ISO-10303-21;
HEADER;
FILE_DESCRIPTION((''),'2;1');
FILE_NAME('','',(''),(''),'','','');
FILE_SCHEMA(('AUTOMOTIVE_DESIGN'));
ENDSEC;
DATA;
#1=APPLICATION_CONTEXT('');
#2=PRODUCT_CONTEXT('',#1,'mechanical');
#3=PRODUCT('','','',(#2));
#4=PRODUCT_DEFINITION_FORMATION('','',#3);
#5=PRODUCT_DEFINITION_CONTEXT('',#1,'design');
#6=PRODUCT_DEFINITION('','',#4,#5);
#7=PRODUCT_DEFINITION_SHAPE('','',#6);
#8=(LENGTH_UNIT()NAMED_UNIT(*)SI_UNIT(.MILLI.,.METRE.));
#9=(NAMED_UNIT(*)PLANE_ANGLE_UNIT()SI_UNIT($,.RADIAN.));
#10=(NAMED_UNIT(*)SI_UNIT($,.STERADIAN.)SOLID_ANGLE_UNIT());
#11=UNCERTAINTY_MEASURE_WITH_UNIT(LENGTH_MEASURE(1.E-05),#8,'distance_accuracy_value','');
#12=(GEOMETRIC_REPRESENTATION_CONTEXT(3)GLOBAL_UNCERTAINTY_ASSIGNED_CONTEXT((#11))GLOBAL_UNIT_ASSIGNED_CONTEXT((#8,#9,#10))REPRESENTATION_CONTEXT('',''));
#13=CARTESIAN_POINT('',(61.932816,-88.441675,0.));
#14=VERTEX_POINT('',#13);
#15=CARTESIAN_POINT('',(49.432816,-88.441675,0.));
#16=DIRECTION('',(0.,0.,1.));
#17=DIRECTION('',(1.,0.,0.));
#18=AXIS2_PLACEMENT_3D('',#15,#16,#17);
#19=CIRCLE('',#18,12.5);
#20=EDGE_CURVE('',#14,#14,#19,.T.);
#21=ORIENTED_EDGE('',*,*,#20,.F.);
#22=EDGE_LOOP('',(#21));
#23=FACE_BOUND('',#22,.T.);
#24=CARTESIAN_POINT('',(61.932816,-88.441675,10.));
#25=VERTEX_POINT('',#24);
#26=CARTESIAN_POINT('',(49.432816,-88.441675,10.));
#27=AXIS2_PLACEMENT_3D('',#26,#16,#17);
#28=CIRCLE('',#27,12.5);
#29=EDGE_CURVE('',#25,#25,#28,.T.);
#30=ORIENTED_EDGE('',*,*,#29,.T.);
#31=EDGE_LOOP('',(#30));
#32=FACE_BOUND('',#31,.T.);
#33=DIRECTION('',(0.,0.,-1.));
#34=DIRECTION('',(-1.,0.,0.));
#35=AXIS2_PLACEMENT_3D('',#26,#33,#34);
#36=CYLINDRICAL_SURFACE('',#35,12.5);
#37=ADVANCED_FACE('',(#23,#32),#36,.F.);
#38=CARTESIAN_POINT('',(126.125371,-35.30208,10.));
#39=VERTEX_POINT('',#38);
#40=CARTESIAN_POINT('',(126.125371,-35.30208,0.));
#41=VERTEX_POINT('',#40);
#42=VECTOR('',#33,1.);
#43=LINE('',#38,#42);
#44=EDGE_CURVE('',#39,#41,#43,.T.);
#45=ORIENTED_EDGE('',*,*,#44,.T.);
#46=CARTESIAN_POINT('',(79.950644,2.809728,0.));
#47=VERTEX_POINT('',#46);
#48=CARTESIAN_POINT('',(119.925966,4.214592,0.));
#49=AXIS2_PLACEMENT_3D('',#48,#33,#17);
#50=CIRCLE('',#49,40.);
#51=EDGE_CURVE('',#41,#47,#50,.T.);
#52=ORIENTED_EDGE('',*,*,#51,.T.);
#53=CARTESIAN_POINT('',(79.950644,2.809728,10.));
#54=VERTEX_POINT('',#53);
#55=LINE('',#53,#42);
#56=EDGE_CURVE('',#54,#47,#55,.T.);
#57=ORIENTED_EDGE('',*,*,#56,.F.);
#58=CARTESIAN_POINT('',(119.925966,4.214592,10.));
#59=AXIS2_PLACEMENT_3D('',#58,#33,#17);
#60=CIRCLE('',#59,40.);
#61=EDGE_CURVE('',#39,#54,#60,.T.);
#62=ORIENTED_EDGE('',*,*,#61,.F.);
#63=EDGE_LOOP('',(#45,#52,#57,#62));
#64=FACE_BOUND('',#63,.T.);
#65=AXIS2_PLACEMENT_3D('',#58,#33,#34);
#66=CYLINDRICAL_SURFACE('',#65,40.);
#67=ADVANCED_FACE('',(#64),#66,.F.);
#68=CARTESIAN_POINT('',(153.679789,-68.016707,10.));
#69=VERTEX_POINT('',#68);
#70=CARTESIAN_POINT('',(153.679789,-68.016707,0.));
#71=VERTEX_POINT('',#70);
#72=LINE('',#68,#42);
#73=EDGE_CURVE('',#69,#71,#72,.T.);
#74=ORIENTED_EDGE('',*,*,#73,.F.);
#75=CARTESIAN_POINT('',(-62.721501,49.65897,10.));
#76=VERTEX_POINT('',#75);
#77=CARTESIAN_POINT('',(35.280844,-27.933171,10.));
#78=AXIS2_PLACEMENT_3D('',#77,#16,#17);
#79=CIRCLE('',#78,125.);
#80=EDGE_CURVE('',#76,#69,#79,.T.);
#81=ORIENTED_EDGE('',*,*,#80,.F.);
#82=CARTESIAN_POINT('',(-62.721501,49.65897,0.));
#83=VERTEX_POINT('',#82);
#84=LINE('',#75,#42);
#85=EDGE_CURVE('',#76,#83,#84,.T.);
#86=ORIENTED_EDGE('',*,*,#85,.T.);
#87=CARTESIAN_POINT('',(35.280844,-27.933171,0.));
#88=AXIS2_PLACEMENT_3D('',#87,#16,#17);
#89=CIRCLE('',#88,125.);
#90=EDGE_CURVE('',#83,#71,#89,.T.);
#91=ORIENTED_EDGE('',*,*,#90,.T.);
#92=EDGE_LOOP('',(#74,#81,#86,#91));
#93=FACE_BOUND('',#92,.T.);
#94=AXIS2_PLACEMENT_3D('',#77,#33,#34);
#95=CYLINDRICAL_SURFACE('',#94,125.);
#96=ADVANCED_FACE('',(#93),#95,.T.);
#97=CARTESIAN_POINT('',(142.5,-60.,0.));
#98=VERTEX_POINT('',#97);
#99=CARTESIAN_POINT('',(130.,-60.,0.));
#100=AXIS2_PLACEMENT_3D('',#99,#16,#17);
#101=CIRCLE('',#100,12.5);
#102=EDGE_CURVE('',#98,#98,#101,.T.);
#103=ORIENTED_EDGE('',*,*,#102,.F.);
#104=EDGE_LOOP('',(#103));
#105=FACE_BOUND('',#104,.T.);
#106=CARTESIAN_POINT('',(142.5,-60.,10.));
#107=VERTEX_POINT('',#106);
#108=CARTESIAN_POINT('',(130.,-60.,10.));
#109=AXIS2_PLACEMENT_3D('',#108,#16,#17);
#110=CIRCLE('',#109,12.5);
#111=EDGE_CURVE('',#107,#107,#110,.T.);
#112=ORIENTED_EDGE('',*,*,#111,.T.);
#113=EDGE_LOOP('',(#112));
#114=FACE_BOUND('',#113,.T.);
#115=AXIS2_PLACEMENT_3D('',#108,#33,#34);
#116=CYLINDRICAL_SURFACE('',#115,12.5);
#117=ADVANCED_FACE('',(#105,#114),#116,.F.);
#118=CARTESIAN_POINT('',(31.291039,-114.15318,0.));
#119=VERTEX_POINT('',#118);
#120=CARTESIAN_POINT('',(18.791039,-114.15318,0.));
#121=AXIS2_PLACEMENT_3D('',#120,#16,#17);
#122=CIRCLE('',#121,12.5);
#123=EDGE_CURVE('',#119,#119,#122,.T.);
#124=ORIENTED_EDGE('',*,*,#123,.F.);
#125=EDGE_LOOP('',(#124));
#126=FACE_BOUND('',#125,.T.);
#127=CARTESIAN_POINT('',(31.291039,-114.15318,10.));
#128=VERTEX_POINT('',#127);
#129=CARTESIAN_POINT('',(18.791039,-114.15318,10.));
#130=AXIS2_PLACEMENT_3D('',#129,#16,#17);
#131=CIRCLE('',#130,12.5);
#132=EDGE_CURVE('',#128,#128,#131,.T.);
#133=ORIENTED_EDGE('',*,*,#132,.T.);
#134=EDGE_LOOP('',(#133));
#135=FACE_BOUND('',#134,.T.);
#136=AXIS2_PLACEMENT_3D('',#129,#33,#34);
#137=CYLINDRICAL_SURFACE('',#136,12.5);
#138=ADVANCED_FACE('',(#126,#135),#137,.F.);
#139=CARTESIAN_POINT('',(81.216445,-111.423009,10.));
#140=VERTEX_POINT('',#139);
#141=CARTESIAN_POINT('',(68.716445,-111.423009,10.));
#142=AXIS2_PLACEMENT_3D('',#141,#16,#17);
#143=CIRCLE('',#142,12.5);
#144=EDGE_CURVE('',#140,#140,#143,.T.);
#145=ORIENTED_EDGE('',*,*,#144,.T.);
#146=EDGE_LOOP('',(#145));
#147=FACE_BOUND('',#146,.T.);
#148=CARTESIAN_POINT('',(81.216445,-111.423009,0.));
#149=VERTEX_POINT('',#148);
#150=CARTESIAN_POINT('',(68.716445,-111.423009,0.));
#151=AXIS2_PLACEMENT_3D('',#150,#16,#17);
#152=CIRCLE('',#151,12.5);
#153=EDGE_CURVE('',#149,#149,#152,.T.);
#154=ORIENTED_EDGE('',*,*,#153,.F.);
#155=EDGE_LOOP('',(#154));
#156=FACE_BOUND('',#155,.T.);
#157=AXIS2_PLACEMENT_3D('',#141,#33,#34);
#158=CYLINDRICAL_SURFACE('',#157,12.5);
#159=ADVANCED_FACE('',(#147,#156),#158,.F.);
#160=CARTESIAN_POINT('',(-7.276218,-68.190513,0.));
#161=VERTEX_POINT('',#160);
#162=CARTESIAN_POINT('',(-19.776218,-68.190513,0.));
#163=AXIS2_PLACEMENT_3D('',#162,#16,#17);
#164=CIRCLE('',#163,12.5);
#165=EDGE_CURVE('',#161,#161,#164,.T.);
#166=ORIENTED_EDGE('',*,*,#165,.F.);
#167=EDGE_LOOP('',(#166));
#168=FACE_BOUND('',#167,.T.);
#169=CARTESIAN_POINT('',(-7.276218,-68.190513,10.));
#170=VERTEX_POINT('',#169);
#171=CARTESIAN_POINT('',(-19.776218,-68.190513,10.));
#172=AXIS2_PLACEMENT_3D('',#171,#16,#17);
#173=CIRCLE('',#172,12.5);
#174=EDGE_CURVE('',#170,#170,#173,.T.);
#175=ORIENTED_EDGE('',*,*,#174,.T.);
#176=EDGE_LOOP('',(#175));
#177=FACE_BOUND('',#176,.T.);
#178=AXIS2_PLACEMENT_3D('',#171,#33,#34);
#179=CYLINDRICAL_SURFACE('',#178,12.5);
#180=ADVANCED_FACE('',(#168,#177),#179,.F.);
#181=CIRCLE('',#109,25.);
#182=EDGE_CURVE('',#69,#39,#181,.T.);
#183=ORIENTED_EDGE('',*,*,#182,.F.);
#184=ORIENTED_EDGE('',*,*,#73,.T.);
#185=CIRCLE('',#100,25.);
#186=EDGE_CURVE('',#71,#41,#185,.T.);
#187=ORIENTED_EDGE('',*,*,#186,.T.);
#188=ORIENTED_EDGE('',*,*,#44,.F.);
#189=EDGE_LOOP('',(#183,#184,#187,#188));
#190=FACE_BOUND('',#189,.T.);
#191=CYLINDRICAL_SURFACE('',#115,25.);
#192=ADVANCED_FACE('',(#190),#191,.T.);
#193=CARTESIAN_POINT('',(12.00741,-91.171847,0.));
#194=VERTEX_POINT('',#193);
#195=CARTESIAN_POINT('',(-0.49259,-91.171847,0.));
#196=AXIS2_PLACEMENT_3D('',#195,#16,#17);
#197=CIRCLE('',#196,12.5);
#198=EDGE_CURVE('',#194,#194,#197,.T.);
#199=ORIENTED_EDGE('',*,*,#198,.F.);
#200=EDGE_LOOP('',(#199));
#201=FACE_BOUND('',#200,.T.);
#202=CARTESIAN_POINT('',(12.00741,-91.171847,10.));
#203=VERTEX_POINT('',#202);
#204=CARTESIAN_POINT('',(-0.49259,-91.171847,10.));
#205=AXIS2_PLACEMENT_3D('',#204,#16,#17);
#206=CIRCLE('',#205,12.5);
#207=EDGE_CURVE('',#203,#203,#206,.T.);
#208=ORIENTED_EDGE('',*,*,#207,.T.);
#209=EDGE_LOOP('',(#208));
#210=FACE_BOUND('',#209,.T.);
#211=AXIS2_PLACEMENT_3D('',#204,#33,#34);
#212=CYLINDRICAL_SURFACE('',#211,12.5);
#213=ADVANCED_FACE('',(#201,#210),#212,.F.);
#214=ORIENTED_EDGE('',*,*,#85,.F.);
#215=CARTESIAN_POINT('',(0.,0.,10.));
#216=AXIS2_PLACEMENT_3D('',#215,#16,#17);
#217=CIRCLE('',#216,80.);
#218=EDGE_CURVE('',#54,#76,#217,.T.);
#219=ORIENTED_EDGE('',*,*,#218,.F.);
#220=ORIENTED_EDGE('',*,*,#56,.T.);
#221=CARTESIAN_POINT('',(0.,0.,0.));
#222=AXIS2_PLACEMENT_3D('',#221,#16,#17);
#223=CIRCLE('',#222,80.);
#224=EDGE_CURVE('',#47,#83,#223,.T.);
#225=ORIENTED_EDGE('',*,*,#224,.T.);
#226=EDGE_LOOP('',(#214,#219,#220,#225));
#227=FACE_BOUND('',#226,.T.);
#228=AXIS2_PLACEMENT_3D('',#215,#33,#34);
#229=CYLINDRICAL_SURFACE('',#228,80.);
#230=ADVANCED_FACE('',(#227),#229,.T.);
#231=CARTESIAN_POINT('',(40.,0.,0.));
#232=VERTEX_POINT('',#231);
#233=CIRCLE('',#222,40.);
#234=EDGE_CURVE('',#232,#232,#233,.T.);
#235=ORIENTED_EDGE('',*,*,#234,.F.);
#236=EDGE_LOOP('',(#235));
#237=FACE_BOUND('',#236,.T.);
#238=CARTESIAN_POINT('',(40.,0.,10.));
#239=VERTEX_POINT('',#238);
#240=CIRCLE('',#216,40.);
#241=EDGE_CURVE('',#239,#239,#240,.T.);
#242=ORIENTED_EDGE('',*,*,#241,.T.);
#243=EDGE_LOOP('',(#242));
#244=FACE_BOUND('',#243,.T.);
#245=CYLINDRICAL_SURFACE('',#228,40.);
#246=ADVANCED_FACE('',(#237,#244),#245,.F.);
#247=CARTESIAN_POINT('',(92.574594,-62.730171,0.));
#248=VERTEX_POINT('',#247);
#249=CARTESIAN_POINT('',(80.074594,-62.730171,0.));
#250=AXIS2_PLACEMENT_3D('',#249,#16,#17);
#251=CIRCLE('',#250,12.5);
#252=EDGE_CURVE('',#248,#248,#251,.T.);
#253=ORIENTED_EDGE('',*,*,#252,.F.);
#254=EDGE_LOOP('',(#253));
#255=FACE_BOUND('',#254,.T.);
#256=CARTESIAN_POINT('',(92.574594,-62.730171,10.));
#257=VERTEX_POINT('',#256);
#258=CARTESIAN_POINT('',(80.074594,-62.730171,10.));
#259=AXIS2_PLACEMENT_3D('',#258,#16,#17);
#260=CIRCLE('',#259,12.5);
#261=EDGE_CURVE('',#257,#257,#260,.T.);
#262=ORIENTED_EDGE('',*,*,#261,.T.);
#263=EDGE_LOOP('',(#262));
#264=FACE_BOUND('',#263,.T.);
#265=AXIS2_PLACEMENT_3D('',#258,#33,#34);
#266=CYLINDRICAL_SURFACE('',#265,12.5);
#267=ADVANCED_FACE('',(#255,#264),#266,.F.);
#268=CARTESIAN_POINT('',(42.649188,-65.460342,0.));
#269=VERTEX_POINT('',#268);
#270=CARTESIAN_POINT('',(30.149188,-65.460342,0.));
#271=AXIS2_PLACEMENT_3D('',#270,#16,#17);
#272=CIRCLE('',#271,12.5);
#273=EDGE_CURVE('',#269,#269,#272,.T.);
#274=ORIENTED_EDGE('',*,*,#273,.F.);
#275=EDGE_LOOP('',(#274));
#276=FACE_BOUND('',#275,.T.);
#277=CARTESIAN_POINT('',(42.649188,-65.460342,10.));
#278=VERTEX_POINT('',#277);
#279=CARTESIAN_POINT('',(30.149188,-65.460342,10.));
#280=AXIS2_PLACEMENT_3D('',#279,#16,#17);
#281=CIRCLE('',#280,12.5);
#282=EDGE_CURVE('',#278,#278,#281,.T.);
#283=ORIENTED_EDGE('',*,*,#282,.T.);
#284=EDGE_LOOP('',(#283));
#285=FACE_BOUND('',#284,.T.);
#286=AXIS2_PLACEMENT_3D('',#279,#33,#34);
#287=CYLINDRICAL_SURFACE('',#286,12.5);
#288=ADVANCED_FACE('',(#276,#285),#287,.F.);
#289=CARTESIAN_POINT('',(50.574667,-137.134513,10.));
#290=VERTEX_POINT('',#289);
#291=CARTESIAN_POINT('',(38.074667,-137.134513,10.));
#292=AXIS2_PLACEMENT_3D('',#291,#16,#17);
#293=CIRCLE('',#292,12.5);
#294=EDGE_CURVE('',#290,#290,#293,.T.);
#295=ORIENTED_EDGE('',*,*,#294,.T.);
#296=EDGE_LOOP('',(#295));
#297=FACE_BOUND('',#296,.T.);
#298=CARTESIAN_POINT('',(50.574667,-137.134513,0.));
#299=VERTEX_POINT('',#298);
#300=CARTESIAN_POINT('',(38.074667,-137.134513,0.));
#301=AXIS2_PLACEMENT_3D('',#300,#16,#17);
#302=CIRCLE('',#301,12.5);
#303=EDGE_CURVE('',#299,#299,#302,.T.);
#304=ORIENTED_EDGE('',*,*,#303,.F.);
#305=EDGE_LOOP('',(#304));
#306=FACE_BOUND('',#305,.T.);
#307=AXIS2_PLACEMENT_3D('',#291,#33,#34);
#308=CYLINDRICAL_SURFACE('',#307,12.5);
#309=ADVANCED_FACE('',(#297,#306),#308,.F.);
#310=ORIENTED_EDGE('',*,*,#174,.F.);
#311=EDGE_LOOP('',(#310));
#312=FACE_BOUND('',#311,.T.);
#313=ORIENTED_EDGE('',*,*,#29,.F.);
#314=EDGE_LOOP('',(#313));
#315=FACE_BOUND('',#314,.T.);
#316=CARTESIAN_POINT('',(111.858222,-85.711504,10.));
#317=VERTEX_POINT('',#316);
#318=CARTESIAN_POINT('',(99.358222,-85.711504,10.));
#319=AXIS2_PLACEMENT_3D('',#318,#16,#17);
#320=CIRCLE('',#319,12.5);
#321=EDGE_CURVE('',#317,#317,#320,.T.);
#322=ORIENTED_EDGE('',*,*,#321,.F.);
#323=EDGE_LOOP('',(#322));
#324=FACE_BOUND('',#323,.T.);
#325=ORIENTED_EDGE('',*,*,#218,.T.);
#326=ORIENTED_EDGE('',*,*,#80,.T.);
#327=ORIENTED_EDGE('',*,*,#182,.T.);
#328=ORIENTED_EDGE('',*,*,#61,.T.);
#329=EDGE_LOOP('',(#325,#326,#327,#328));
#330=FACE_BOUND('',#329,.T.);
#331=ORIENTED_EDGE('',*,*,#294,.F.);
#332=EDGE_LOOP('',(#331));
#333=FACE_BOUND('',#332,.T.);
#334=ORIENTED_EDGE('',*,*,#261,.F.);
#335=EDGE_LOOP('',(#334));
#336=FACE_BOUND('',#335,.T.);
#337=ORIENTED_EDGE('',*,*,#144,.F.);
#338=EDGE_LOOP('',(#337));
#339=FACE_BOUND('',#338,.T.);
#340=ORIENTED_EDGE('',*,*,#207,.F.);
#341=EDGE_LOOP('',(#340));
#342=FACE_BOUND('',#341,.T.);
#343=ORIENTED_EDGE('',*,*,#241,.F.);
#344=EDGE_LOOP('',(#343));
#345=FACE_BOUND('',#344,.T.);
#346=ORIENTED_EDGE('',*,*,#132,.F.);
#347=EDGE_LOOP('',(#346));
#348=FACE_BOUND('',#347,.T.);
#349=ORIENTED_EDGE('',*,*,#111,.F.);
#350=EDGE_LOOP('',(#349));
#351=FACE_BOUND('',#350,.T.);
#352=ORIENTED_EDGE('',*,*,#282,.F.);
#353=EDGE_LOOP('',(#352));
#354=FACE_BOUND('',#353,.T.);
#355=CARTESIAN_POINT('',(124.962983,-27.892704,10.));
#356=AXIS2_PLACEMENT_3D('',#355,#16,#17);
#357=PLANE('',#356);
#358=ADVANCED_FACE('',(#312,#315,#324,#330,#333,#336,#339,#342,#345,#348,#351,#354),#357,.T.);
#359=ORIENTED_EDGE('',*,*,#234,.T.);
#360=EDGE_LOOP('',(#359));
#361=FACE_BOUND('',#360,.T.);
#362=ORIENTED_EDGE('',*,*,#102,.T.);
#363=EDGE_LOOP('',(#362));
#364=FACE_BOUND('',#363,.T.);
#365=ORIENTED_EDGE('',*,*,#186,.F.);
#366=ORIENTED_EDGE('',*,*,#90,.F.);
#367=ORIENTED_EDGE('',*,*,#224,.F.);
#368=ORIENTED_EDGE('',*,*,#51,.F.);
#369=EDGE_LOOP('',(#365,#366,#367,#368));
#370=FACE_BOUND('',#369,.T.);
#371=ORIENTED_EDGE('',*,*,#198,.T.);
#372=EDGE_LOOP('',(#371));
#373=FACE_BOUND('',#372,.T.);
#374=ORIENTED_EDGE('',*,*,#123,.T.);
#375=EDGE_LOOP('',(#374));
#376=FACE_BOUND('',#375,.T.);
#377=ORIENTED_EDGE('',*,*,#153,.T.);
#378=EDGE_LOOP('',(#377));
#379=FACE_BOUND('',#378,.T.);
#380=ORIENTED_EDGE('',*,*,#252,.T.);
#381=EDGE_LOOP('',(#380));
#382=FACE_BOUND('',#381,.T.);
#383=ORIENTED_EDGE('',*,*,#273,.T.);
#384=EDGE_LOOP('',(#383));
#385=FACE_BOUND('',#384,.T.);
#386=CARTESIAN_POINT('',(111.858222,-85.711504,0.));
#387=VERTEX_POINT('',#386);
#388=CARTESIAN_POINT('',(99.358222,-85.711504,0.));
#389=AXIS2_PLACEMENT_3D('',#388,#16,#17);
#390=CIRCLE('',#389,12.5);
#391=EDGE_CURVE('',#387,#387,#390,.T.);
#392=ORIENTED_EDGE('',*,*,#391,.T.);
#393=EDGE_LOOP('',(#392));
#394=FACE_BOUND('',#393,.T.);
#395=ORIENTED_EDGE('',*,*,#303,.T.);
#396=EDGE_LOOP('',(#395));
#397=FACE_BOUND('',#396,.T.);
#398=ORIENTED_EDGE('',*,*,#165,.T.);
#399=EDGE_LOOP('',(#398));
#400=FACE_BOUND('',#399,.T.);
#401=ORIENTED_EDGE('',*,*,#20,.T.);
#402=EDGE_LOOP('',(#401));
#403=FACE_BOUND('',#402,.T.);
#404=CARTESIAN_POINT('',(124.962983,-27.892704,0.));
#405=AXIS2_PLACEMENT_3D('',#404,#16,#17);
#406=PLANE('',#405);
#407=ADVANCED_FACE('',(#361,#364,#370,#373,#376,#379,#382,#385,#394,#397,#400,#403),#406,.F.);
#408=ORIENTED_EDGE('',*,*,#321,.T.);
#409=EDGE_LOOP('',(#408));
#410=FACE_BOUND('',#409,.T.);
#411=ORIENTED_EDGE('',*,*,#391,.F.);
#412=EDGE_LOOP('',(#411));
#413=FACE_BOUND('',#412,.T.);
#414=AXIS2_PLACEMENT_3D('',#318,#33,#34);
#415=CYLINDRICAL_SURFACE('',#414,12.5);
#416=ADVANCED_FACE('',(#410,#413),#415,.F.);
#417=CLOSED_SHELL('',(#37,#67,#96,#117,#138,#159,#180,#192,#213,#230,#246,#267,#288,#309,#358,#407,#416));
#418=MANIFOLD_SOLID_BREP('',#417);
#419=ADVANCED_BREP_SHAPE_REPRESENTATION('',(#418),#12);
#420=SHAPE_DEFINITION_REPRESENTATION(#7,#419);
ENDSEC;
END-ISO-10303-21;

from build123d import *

# Parameters (mm, degrees)
CROQUIS1_R              = 40
CROQUIS1_R_2            = 12.5
SALIENTE_EXTRUIR1_DEPTH = 10


with BuildPart() as part:
    # Croquis1 → Saliente-Extruir1 (new body)
    with BuildSketch(Plane.XY):
        with BuildLine():
            ThreePointArc((79.950643702, 2.809728022), (24.958439712, 76.007080507), (-62.721500941, 49.658970184))
            ThreePointArc((-62.721500941, 49.658970184), (-24.43428434, -137.747119815), (153.67978893, -68.016707318))
            ThreePointArc((153.67978893, -68.016707318), (149.121265752, -43.894808413), (126.125371367, -35.302079987))
            ThreePointArc((126.125371367, -35.302079987), (94.463628593, -26.634547282), (79.950643702, 2.809728022))
        make_face()
        Circle(CROQUIS1_R, mode=Mode.SUBTRACT)
        with Locations((130, -60)):
            Circle(CROQUIS1_R_2, mode=Mode.SUBTRACT)
        with Locations((99.358222275, -85.711504387)):
            Circle(CROQUIS1_R_2, mode=Mode.SUBTRACT)
        with Locations((68.71644455, -111.423008775)):
            Circle(CROQUIS1_R_2, mode=Mode.SUBTRACT)
        with Locations((38.074666826, -137.134513162)):
            Circle(CROQUIS1_R_2, mode=Mode.SUBTRACT)
        with Locations((80.074593985, -62.730171094)):
            Circle(CROQUIS1_R_2, mode=Mode.SUBTRACT)
        with Locations((49.43281626, -88.441675481)):
            Circle(CROQUIS1_R_2, mode=Mode.SUBTRACT)
        with Locations((18.791038535, -114.153179869)):
            Circle(CROQUIS1_R_2, mode=Mode.SUBTRACT)
        with Locations((30.149187969, -65.460342188)):
            Circle(CROQUIS1_R_2, mode=Mode.SUBTRACT)
        with Locations((-0.492589755, -91.171846575)):
            Circle(CROQUIS1_R_2, mode=Mode.SUBTRACT)
        with Locations((-19.776218046, -68.190513282)):
            Circle(CROQUIS1_R_2, mode=Mode.SUBTRACT)
    extrude(amount=SALIENTE_EXTRUIR1_DEPTH)


solid = part.part
